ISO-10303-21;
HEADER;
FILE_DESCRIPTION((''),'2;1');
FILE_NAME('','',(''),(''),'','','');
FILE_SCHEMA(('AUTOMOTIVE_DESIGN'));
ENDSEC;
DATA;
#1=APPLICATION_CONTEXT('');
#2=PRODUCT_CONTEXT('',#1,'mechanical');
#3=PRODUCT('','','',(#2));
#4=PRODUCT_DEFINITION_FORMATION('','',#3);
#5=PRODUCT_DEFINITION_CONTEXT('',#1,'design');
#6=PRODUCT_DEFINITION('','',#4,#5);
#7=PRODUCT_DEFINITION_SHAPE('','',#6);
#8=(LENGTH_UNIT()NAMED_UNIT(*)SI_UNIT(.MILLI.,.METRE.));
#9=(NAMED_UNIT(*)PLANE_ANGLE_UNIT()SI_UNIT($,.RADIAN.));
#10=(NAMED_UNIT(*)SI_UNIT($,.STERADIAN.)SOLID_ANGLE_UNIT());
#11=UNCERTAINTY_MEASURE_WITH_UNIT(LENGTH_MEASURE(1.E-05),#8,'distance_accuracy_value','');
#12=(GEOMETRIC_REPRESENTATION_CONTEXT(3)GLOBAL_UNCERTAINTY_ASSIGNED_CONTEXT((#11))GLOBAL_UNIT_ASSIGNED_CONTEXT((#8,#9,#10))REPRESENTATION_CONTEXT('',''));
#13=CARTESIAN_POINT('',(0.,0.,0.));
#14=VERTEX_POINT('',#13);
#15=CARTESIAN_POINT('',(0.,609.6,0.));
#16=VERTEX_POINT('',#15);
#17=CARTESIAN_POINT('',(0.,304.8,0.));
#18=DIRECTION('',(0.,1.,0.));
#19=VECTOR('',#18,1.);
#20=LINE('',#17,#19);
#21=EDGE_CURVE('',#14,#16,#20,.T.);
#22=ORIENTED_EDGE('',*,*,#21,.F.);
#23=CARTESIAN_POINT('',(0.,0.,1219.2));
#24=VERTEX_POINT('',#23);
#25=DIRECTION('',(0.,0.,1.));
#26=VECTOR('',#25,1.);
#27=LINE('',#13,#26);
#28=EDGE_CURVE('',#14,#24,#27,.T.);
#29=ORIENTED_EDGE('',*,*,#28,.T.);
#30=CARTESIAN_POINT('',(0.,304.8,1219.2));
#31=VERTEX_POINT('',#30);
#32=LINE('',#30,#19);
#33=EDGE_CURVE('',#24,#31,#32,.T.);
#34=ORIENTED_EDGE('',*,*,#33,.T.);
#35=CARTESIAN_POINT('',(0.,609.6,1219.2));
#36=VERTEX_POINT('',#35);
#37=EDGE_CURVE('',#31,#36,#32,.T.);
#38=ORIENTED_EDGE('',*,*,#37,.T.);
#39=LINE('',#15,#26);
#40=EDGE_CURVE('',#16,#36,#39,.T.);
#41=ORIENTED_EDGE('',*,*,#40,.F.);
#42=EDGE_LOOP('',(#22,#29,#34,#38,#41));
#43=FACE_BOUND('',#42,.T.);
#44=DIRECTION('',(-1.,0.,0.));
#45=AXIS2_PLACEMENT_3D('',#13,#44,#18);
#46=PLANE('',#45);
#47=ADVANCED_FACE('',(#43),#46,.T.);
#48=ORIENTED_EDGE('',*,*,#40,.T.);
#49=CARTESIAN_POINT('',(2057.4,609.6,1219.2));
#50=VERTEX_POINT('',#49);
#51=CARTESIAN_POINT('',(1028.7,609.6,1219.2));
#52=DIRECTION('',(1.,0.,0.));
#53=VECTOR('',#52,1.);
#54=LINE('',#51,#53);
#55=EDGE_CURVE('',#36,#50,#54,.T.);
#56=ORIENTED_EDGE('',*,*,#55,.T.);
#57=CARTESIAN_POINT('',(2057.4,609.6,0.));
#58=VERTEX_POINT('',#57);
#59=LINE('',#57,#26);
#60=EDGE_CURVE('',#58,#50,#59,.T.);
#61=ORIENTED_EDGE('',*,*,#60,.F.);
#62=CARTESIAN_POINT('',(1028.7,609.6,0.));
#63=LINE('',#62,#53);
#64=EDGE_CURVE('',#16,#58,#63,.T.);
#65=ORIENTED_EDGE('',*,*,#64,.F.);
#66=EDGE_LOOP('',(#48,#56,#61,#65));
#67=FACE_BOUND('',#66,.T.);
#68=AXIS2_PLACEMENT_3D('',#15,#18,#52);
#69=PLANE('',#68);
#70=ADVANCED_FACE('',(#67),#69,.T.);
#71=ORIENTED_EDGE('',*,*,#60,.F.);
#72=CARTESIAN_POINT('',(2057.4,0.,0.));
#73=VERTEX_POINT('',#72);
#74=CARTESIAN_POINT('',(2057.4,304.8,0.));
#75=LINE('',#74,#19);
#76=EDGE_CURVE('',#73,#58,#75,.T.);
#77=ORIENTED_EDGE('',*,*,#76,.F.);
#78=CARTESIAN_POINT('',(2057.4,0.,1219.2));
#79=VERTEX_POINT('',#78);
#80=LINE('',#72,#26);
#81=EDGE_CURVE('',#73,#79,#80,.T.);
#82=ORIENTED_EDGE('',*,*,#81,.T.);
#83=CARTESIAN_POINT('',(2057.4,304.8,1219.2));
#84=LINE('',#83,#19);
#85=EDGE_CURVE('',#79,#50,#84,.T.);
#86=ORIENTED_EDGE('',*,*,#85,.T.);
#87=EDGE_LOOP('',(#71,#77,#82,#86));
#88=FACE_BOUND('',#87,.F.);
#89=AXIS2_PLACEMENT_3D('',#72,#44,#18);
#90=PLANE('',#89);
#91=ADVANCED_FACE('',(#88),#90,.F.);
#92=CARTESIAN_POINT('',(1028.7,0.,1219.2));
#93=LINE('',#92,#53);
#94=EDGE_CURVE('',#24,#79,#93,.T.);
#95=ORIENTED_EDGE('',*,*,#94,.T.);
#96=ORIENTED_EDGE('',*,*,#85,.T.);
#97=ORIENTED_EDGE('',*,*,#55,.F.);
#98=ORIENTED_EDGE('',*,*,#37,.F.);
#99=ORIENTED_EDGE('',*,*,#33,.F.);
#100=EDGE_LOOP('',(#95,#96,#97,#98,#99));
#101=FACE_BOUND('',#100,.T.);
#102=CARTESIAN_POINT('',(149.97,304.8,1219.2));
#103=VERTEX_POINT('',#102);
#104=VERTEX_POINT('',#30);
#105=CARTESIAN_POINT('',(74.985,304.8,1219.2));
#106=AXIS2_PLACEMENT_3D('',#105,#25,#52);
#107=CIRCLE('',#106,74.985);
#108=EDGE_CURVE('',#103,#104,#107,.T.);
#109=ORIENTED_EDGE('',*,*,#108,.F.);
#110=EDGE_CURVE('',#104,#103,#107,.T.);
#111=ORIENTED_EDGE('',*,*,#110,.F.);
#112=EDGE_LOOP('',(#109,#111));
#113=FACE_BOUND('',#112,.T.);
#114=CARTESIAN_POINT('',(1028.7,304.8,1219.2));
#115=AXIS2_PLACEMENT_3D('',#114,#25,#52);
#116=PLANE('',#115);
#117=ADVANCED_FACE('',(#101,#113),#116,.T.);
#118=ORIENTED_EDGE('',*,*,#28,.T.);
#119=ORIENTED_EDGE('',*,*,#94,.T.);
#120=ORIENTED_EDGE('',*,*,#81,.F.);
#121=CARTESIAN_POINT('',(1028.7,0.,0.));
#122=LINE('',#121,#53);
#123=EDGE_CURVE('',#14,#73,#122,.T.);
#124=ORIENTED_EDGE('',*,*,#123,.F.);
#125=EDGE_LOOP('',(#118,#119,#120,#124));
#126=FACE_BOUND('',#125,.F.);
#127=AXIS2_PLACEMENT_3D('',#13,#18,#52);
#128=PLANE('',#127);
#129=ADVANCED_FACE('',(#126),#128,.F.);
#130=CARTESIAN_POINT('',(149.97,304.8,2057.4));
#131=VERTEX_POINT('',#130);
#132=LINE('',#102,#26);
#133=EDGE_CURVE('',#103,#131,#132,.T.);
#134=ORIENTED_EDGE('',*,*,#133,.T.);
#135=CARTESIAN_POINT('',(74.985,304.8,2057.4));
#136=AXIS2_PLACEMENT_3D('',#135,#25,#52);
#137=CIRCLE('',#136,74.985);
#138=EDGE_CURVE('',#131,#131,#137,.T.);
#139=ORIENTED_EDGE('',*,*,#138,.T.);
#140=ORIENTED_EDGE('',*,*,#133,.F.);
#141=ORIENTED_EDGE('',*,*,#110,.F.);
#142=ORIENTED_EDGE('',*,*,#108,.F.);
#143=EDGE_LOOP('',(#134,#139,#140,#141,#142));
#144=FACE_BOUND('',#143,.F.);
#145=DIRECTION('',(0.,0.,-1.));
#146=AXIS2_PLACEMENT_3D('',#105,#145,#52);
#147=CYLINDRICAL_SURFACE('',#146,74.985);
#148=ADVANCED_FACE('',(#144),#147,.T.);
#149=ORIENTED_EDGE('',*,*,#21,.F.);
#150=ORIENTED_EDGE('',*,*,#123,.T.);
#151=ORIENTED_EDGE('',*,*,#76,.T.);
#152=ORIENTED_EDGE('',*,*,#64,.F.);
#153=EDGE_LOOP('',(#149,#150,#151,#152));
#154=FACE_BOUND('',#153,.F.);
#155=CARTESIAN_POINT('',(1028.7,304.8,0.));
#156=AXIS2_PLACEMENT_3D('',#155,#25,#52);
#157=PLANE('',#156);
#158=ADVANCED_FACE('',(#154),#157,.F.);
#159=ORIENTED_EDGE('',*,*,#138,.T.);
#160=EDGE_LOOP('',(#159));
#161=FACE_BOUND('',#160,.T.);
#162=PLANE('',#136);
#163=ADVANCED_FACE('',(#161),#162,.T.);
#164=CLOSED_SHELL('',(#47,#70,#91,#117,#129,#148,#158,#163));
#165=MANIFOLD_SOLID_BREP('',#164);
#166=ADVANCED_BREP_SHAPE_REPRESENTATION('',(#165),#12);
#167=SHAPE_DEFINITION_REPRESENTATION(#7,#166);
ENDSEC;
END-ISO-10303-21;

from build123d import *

# Parameters (mm, degrees)
SKETCH_W     = 2057.4
SKETCH_H     = 609.6
PAD_DEPTH    = 1219.2
SKETCH001_R  = 74.985
PAD001_DEPTH = 838.2


with BuildPart() as part:
    # Sketch → Pad (new body)
    with BuildSketch(Plane.XY):
        with Locations((1028.7, 304.8)):
            Rectangle(SKETCH_W, SKETCH_H)
    extrude(amount=PAD_DEPTH)

    # Sketch001 (on Face6 of Pad) → Pad001 (join)
    with BuildSketch(Plane.XY.offset(1219.2)):
        with Locations((74.985, 304.8)):
            Circle(SKETCH001_R)
    extrude(amount=PAD001_DEPTH)


solid = part.part
